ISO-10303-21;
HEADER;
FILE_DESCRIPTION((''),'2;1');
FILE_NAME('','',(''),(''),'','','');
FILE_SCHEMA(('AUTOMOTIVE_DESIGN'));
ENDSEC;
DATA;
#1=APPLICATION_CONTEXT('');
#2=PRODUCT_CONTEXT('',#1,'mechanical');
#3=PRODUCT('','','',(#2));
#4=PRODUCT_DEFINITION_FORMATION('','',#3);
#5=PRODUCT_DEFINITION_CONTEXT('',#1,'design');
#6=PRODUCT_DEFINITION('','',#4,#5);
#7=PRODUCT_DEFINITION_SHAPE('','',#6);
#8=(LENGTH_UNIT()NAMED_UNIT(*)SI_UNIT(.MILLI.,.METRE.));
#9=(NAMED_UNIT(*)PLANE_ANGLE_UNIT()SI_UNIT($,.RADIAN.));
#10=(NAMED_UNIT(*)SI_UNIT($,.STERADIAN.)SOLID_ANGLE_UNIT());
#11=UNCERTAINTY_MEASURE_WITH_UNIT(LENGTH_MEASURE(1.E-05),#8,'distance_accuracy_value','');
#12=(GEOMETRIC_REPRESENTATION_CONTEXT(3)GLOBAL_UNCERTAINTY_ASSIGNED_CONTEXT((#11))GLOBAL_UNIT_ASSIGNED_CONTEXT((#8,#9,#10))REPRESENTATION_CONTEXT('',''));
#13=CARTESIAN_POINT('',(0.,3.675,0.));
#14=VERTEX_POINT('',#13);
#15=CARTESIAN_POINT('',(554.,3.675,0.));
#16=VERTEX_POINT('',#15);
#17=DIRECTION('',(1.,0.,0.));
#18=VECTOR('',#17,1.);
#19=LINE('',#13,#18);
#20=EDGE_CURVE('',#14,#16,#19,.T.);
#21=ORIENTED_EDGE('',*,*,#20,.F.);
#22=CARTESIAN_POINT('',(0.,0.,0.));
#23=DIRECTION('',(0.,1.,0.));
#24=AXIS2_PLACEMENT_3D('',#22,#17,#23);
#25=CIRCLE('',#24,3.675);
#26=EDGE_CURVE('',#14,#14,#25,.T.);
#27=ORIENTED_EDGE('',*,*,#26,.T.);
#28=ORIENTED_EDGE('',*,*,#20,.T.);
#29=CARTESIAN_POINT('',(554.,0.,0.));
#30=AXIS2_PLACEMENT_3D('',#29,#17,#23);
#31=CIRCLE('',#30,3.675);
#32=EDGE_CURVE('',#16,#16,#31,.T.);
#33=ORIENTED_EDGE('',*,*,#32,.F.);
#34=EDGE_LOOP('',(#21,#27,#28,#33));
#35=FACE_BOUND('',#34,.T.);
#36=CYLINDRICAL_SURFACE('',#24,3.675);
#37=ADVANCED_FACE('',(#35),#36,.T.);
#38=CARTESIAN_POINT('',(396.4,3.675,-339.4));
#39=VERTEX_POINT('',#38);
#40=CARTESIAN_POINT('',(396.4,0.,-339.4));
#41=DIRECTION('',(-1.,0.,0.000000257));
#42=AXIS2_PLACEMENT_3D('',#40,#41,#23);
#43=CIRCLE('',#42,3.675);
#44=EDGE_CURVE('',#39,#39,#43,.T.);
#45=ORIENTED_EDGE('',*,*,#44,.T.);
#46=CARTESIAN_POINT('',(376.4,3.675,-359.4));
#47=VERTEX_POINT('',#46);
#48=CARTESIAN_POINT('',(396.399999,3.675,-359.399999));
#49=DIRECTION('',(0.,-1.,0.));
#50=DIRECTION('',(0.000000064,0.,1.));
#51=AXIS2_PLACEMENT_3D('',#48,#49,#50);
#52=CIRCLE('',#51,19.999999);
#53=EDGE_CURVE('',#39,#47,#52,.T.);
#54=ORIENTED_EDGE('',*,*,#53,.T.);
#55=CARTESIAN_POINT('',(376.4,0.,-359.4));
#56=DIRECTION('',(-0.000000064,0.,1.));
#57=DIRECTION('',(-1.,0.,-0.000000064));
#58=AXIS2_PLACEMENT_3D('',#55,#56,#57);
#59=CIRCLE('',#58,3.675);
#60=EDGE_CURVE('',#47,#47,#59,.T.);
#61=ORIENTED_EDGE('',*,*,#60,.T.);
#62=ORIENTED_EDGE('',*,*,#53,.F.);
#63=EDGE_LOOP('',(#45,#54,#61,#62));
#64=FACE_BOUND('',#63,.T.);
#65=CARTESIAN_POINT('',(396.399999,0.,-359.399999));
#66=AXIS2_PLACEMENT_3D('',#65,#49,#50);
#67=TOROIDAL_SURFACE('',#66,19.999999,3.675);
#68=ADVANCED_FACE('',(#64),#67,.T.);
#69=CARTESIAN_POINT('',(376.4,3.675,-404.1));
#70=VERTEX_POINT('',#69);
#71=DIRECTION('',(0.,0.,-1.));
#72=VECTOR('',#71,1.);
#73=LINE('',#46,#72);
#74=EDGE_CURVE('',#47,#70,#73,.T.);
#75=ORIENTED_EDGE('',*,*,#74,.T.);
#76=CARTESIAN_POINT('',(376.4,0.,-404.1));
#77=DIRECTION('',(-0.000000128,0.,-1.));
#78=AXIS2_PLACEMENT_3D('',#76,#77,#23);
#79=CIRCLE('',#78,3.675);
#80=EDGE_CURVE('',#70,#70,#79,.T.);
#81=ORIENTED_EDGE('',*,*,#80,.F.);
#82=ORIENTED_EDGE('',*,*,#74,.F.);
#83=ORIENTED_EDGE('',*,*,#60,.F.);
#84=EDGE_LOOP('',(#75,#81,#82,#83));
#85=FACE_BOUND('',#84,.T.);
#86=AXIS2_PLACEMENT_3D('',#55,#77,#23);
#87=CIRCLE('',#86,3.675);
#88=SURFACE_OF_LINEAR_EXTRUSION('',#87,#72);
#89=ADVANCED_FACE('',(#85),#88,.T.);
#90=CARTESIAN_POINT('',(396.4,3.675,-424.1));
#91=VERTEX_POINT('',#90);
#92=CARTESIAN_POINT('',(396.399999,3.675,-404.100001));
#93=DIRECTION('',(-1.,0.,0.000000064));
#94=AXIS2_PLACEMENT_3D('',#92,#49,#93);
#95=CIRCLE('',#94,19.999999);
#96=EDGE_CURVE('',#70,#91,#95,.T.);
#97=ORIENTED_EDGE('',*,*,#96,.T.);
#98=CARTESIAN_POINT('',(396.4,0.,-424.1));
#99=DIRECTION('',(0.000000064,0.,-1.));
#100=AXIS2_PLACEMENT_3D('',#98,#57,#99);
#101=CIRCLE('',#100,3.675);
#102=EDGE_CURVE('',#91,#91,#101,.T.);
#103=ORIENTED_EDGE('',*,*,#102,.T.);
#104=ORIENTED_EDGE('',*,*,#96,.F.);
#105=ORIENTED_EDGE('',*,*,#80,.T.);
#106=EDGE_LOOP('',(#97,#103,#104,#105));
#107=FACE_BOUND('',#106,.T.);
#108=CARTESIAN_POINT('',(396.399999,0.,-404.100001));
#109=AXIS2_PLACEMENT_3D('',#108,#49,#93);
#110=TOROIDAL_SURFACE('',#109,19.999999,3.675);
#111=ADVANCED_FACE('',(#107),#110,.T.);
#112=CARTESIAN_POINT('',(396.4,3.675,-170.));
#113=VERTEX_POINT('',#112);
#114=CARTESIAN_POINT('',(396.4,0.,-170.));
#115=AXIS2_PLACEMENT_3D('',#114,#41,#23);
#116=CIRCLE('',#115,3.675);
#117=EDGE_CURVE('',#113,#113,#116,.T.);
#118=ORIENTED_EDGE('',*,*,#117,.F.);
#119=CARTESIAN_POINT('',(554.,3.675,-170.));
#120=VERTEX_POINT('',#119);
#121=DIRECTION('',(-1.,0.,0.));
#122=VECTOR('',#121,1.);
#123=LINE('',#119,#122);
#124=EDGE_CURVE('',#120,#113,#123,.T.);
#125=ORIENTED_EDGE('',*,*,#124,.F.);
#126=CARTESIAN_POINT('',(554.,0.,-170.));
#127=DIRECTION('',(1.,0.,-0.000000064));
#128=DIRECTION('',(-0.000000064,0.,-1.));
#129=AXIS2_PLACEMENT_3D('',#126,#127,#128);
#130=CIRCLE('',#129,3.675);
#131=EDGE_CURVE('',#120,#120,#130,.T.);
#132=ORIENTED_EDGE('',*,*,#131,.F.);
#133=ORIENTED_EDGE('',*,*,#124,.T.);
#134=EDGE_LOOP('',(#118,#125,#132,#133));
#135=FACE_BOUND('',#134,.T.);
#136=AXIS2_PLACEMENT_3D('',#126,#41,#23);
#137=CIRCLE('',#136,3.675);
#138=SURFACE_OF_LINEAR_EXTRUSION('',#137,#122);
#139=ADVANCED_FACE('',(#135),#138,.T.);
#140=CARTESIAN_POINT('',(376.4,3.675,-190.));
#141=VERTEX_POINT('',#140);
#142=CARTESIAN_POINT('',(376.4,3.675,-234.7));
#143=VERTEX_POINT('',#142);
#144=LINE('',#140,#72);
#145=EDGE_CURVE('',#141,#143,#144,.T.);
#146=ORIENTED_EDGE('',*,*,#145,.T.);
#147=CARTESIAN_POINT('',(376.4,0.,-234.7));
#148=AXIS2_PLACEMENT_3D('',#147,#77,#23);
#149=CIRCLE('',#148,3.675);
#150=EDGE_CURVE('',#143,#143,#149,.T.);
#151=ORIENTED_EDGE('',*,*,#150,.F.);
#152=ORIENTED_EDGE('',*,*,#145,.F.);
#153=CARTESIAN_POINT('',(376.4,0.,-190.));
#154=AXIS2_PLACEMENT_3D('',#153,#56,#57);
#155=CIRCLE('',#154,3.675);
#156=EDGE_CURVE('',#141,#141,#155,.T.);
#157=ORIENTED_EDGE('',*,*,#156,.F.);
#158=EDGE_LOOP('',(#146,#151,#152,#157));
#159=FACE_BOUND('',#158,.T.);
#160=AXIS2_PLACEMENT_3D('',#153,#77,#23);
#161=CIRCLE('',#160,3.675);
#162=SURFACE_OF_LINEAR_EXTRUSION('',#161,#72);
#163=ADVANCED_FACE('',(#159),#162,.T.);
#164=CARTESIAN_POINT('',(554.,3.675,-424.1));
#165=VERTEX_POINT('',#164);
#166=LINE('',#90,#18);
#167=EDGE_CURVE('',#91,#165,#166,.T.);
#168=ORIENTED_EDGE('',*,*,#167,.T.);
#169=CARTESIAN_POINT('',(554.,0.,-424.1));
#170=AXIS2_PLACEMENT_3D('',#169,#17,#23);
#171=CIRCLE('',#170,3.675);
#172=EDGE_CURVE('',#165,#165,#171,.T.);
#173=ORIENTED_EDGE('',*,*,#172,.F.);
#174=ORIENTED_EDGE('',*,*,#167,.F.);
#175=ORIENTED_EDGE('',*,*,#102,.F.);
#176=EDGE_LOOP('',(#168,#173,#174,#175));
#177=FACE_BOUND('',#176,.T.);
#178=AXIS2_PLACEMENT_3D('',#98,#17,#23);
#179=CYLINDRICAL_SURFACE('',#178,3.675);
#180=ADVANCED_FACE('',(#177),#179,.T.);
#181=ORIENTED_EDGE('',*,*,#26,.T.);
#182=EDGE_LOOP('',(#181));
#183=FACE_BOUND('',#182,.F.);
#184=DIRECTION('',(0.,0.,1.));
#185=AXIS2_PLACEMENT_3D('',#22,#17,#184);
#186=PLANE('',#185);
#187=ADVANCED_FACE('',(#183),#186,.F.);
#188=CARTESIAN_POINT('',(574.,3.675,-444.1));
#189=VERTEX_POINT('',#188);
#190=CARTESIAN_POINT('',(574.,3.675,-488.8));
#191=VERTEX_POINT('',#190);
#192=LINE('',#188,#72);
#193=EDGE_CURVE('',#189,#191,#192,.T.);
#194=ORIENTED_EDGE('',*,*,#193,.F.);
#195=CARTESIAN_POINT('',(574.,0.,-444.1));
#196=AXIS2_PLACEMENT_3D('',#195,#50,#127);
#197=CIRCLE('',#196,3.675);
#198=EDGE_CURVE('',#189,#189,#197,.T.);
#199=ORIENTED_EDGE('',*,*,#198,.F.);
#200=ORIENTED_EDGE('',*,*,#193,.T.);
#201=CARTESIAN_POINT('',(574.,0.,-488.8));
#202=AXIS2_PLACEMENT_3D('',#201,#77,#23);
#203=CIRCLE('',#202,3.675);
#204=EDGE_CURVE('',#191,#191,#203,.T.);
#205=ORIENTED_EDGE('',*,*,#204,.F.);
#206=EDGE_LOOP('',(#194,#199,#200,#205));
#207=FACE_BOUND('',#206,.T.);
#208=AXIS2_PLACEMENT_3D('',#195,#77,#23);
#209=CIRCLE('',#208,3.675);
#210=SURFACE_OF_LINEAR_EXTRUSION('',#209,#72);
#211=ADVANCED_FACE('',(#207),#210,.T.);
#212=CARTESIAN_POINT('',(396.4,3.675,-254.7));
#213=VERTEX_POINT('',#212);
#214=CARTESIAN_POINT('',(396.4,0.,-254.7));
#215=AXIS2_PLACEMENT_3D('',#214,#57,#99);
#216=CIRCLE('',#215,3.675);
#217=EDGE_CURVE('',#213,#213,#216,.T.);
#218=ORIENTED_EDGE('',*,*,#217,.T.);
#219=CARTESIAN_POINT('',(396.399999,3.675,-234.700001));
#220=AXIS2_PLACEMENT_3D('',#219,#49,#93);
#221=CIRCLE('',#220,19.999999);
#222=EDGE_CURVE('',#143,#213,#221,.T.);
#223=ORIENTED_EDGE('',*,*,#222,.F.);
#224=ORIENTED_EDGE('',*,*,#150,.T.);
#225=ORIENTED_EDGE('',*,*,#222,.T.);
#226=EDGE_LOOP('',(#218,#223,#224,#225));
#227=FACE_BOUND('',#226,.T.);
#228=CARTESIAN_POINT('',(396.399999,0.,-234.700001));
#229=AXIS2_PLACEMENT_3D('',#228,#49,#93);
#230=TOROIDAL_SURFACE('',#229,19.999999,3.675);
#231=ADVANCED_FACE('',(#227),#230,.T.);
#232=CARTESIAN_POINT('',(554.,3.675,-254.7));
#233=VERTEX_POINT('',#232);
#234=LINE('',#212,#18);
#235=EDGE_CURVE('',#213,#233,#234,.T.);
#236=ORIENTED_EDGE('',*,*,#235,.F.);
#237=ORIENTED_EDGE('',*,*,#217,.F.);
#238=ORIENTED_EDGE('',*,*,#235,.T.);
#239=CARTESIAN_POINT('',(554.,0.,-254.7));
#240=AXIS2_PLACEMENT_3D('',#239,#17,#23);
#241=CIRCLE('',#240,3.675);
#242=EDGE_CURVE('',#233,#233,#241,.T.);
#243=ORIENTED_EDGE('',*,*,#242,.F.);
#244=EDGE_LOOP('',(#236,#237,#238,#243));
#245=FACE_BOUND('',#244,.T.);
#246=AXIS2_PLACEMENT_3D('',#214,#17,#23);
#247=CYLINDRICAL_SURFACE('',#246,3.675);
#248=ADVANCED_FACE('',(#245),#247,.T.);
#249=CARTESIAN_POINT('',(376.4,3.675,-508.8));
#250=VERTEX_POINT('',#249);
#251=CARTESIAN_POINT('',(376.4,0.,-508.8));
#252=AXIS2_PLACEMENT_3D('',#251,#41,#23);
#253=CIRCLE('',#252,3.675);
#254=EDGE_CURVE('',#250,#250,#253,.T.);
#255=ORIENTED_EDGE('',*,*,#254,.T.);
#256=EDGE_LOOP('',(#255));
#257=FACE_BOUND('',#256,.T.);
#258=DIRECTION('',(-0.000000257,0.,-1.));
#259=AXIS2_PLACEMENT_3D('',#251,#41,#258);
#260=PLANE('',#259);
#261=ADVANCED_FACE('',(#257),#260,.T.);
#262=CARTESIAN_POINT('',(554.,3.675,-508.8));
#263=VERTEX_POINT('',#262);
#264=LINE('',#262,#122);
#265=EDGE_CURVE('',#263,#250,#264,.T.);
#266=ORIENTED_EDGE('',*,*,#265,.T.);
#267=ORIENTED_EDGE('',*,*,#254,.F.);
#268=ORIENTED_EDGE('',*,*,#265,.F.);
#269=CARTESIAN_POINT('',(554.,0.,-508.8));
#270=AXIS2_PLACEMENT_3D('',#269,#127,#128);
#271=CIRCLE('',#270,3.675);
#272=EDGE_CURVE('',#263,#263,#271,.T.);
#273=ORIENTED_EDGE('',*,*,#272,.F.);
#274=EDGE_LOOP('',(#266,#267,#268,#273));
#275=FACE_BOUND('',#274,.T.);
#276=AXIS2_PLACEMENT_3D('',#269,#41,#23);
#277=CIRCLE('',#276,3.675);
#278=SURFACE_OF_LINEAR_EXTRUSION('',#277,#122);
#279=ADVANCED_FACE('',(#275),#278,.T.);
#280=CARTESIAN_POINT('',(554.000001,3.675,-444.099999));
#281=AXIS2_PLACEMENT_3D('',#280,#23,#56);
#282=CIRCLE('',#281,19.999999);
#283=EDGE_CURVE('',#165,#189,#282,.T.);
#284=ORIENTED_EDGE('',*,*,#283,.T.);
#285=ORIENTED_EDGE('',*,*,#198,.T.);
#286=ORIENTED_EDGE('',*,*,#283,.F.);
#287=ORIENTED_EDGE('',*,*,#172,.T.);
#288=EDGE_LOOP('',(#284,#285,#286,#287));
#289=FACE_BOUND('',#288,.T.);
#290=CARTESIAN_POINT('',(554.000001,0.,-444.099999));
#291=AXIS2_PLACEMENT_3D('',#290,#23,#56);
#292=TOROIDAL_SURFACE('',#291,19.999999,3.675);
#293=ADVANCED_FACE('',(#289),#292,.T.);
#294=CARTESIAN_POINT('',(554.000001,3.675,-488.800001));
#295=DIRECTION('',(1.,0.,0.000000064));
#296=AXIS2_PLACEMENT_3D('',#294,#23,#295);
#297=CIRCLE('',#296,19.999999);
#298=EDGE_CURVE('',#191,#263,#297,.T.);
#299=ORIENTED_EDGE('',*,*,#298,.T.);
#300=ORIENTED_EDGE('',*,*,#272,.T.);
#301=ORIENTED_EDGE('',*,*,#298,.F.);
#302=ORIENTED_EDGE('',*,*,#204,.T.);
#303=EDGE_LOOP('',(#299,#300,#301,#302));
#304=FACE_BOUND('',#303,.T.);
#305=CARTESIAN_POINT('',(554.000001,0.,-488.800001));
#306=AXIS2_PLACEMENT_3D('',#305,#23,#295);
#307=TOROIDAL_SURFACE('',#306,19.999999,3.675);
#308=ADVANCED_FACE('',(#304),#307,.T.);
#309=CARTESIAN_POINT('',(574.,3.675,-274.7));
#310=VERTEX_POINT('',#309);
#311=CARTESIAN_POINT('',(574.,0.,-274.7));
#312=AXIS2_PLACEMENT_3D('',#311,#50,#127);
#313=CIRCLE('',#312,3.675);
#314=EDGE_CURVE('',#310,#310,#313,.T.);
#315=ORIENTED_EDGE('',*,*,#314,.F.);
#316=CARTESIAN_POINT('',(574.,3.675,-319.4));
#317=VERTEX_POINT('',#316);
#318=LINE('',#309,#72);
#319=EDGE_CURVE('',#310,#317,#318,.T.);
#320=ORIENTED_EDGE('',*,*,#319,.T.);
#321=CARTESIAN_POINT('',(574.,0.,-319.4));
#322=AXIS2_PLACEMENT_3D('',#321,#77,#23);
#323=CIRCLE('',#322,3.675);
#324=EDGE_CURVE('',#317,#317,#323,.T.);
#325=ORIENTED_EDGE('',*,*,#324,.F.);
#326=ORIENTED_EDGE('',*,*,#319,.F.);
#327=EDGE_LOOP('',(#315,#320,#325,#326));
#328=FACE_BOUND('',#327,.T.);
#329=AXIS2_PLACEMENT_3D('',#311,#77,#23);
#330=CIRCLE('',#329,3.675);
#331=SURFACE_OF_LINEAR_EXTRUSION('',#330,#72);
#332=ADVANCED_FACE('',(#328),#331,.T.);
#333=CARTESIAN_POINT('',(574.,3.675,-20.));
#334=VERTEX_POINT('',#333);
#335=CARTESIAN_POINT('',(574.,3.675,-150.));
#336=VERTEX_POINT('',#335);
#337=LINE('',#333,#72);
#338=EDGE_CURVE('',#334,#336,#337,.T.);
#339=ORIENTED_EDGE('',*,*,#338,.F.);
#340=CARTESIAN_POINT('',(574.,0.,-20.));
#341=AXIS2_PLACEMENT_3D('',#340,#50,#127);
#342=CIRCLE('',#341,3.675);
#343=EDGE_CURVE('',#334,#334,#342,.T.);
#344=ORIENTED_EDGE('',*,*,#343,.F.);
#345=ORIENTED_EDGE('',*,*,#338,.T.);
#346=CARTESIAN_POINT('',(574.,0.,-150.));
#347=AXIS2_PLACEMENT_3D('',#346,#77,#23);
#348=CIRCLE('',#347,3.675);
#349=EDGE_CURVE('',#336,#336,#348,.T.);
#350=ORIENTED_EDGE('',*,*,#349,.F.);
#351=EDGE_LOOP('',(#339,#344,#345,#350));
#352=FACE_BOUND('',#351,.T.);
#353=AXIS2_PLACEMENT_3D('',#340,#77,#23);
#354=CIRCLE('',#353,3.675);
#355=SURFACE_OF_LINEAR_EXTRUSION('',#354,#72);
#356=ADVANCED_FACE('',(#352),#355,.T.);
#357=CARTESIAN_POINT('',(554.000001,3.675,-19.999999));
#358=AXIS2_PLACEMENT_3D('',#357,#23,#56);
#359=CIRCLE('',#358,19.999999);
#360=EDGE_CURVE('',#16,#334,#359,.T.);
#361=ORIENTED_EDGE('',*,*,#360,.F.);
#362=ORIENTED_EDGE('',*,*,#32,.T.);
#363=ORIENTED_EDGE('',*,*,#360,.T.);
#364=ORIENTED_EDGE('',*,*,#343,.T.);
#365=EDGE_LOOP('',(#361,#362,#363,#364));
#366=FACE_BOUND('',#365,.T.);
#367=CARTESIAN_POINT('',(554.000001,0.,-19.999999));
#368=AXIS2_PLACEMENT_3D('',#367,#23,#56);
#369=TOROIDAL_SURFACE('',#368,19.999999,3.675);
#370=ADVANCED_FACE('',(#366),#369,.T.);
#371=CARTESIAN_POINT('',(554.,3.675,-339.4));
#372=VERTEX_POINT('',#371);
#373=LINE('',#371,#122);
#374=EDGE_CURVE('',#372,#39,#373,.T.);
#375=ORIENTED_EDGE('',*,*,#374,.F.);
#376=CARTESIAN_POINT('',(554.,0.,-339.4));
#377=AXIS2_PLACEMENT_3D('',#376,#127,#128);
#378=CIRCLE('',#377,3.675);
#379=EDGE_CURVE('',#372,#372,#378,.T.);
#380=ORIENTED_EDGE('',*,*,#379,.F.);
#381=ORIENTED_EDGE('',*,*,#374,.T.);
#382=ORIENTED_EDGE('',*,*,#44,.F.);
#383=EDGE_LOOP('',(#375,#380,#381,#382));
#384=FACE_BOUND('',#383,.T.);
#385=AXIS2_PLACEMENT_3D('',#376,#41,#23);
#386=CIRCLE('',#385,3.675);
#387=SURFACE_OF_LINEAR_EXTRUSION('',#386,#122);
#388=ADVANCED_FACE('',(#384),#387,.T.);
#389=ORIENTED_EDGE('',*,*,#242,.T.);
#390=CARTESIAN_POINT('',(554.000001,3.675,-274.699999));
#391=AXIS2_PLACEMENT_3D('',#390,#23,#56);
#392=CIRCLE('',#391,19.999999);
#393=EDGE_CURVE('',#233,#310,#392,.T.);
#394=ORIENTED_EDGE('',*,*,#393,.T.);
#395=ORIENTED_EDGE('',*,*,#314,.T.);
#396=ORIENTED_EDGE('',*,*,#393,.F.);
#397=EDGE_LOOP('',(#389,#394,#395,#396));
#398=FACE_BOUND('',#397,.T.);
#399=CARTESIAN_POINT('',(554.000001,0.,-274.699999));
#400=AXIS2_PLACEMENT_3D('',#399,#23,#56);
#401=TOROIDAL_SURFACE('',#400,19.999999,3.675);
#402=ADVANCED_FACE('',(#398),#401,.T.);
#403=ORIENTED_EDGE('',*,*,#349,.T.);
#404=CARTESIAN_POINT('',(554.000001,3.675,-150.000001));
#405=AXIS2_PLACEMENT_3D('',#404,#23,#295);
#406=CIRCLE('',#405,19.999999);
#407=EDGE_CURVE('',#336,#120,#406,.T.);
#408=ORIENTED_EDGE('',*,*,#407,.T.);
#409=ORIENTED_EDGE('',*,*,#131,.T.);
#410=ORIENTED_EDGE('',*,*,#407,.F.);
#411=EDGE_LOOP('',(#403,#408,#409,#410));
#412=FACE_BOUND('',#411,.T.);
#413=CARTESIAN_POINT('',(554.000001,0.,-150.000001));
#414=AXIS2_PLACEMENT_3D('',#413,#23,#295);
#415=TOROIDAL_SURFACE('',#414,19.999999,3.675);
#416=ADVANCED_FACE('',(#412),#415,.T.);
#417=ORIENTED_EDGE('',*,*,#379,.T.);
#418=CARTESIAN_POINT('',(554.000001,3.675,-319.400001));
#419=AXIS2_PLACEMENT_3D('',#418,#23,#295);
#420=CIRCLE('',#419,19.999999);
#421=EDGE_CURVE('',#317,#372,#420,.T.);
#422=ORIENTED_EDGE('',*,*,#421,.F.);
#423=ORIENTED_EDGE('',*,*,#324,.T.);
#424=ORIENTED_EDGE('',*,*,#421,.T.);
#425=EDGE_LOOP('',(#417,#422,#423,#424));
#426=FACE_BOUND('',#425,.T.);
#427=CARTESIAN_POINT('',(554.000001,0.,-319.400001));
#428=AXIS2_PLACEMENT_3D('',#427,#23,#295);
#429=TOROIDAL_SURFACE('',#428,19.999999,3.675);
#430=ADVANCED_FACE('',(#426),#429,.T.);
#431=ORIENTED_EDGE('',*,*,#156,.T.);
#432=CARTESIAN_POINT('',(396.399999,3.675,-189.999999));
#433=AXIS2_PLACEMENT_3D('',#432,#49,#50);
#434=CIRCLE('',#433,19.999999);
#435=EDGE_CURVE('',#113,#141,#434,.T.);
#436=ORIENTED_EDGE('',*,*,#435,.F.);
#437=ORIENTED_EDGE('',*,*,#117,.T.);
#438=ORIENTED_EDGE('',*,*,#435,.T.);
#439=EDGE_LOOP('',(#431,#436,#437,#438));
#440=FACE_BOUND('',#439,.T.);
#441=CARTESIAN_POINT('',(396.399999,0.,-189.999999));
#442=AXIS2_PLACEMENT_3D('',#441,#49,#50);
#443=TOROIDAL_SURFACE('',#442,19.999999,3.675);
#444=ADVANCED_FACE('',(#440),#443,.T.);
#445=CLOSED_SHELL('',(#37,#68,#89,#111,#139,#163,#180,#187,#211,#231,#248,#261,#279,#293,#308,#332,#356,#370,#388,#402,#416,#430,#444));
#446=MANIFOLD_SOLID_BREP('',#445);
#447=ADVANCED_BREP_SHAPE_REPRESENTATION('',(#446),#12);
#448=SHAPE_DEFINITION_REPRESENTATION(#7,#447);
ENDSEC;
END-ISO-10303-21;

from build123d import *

# Parameters (mm, degrees)
F1_R = 3.675


with BuildPart() as f2:
    # F2: sweep along a path in F0
    with BuildLine(Plane.XZ) as f2_path:
        Line((0, 0), (554, 0))
        ThreePointArc((554, 0), (568.142136, -5.857864), (574, -20))
        Line((574, -20), (574, -150))
        ThreePointArc((574, -150), (568.142136, -164.142136), (554, -170))
        Line((554, -170), (396.4, -170))
        ThreePointArc((396.4, -170), (382.257864, -175.857864), (376.4, -190))
        Line((376.4, -190), (376.4, -234.7))
        ThreePointArc((376.4, -234.7), (382.257864, -248.842136), (396.4, -254.7))
        Line((396.4, -254.7), (554, -254.7))
        ThreePointArc((554, -254.7), (568.142136, -260.557864), (574, -274.7))
        Line((574, -274.7), (574, -319.4))
        ThreePointArc((574, -319.4), (568.142136, -333.542136), (554, -339.4))
        Line((554, -339.4), (396.4, -339.4))
        ThreePointArc((396.4, -339.4), (382.257864, -345.257864), (376.4, -359.4))
        Line((376.4, -359.4), (376.4, -404.1))
        ThreePointArc((376.4, -404.1), (382.257864, -418.242136), (396.4, -424.1))
        Line((396.4, -424.1), (554, -424.1))
        ThreePointArc((554, -424.1), (568.142136, -429.957864), (574, -444.1))
        Line((574, -444.1), (574, -488.8))
        ThreePointArc((574, -488.8), (568.142136, -502.942136), (554, -508.8))
        Line((554, -508.8), (376.4, -508.8))
    # F1 (on Right) → F2 (sweep)
    with BuildSketch(Plane.YZ):
        Circle(F1_R)
    sweep(path=f2_path.line)


solid = f2.part
